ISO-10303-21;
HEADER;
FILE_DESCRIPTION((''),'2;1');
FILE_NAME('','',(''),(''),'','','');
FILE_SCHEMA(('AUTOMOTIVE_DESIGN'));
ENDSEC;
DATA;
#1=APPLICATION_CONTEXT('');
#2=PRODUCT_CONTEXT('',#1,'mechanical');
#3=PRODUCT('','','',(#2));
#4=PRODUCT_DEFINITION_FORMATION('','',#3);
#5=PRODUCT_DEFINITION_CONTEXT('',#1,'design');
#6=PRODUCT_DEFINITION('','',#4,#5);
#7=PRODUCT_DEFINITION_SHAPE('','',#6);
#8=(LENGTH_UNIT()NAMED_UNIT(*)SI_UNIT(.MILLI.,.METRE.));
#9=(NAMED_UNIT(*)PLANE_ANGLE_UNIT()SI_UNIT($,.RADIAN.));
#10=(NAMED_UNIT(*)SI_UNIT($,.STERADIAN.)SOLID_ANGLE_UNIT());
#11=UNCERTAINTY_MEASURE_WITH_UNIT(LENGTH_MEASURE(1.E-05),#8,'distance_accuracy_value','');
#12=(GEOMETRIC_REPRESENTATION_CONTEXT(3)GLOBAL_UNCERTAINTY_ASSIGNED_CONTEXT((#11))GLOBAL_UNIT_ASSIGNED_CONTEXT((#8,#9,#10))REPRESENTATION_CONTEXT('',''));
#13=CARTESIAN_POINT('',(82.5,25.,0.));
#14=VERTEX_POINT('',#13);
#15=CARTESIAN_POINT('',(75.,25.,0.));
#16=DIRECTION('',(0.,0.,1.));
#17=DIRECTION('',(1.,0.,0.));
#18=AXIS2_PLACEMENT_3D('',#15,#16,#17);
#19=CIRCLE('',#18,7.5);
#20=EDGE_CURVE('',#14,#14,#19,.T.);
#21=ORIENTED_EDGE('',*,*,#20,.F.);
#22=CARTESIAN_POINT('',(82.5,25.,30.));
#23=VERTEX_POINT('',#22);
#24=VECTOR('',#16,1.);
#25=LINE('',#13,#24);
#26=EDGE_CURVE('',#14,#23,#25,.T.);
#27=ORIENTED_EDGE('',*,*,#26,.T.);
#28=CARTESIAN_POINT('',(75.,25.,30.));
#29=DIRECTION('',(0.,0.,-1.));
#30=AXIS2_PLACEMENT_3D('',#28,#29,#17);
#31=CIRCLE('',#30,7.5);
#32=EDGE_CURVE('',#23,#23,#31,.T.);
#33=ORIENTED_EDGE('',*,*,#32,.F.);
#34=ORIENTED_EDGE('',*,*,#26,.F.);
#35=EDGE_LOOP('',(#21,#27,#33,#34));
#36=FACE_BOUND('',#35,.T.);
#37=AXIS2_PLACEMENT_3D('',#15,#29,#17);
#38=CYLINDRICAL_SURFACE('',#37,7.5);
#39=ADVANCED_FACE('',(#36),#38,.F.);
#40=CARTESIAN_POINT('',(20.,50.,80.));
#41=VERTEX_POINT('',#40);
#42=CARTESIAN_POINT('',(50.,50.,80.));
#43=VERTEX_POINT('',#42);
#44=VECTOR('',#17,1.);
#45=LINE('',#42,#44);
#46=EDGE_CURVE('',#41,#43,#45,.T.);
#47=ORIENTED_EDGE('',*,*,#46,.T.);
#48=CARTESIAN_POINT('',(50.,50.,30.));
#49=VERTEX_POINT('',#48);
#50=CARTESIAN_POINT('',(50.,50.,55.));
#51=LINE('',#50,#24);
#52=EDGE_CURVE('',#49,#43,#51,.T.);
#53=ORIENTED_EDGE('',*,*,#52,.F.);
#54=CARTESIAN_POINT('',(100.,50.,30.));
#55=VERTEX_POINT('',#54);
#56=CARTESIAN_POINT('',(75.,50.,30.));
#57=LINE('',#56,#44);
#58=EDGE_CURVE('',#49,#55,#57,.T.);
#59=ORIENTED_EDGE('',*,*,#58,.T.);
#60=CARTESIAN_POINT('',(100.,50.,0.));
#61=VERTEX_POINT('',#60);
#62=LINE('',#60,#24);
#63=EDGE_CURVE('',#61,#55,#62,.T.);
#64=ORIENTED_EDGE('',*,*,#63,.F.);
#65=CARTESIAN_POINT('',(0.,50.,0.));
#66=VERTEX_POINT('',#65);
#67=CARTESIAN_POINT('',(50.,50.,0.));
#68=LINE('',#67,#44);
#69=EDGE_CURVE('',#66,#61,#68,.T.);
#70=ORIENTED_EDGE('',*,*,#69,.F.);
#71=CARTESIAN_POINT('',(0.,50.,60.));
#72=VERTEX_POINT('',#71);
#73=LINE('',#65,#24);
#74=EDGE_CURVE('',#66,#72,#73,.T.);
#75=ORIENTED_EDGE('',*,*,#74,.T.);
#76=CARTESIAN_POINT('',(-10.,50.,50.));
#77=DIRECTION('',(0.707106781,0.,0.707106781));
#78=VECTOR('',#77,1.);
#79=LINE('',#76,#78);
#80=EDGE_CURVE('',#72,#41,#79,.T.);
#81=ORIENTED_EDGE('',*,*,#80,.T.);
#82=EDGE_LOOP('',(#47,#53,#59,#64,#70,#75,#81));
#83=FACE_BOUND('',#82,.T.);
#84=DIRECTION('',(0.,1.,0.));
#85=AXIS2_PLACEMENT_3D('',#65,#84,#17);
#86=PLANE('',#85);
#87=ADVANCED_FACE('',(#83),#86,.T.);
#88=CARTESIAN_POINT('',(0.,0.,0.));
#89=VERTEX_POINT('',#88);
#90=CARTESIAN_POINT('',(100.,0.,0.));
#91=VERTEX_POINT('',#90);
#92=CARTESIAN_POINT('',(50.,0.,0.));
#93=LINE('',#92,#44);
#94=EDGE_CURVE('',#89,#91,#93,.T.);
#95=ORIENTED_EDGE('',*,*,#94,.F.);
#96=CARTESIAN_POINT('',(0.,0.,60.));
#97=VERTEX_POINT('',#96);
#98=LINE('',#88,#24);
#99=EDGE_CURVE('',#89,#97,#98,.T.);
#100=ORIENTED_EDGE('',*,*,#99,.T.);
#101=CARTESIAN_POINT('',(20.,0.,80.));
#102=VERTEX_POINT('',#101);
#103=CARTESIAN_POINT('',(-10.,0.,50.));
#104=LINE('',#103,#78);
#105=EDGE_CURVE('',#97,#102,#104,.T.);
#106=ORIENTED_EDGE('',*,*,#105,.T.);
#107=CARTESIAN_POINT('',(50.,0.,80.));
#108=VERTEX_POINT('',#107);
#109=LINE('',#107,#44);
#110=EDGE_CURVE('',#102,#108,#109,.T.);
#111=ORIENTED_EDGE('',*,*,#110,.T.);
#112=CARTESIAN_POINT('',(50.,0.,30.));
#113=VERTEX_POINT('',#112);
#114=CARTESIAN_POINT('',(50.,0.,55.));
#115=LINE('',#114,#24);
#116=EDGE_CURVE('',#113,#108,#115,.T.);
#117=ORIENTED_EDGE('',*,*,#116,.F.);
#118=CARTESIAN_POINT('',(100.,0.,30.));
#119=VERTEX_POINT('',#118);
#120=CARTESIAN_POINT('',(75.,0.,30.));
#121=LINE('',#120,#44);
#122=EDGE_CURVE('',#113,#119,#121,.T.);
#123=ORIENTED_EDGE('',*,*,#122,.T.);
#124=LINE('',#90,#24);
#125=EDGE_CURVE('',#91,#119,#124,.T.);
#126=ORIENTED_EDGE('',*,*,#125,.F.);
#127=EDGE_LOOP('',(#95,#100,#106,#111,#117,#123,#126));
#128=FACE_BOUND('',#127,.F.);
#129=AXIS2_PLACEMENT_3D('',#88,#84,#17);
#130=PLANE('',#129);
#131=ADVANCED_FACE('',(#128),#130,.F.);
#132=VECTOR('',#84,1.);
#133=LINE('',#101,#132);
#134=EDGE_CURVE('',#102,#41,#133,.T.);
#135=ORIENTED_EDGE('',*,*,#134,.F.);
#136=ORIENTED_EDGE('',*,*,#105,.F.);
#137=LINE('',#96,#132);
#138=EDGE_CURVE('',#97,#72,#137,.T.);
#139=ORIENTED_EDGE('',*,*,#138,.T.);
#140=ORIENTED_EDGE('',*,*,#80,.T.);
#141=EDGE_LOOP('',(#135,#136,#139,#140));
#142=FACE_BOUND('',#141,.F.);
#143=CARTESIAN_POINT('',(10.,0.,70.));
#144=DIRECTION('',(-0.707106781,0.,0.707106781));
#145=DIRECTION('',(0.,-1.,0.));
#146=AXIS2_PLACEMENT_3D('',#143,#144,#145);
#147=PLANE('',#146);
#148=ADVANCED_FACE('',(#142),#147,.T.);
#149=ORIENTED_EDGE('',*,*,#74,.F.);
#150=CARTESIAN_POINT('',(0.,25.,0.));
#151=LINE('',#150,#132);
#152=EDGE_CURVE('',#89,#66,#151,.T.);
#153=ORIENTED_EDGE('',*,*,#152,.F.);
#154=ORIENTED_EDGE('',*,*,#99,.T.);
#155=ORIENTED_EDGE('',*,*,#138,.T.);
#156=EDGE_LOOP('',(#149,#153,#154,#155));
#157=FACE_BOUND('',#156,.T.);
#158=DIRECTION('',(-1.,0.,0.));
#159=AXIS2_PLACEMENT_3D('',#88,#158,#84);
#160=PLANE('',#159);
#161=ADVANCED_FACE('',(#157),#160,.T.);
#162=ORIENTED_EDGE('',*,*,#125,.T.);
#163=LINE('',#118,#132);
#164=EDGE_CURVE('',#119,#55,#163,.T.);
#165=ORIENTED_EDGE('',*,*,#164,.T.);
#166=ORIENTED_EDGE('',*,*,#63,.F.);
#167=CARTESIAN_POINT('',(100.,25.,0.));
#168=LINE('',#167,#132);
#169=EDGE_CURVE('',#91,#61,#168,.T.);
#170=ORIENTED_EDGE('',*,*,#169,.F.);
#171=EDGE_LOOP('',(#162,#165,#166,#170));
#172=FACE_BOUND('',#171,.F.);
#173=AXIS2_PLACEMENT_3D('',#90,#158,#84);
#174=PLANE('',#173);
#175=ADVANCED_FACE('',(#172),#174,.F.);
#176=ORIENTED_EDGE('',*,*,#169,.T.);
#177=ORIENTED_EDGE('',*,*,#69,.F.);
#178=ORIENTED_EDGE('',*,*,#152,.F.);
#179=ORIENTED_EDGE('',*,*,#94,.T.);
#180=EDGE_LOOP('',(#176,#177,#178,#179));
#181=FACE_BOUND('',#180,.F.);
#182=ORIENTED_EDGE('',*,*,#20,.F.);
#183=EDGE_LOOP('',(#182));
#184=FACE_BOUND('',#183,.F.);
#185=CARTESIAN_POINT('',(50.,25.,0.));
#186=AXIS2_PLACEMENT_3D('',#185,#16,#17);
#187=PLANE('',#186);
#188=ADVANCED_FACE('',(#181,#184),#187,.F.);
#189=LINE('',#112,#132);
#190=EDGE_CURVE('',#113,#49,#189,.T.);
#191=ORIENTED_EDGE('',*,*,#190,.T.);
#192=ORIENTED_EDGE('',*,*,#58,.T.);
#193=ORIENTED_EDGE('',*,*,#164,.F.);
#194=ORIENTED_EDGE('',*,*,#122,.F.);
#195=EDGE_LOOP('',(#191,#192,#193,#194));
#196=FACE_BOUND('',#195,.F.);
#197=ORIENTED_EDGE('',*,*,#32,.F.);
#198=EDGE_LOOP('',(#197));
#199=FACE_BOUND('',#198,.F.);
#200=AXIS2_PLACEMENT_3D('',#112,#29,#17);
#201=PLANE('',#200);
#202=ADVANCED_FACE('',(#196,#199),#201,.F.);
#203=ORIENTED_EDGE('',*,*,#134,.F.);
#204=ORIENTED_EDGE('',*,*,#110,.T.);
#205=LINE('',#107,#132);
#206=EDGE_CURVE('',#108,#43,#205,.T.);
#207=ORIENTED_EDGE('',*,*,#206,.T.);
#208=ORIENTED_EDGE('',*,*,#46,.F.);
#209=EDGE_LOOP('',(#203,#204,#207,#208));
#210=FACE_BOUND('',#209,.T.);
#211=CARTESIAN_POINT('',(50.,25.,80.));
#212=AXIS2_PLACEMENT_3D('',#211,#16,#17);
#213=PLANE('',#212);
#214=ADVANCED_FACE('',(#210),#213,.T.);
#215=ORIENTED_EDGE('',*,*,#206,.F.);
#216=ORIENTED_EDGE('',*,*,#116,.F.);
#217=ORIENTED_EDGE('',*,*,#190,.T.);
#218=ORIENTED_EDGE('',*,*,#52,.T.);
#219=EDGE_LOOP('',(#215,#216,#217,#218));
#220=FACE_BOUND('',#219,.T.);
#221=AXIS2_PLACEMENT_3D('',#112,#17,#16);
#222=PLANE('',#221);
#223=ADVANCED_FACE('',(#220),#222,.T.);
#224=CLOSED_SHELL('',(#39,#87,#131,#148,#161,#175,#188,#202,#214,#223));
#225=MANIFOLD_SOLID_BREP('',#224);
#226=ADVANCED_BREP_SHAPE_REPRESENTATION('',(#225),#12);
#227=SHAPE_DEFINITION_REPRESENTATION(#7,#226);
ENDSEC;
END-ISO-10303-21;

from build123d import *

# Parameters (mm, degrees)
F0_W     = 100
F0_H     = 50
F0_R     = 7.5
F1_DEPTH = 80
F2_W     = 50
F2_H     = 50
F3_DEPTH = 50
F4_SIZE  = 20


with BuildPart() as f1:
    # F0 (on Top) → F1 (new body)
    with BuildSketch(Plane.XY):
        with Locations((50, 25)):
            Rectangle(F0_W, F0_H)
        with Locations((75, 25)):
            Circle(F0_R, mode=Mode.SUBTRACT)
    extrude(amount=F1_DEPTH)

    # F2 (on face) → F3 (cut, through all)
    with BuildSketch(Plane.XZ):
        with Locations((75, 55)):
            Rectangle(F2_W, F2_H)
    extrude(amount=-F3_DEPTH, mode=Mode.SUBTRACT)

    # F4
    f4_edges = [f1.edges().sort_by_distance(p)[0] for p in [
        (0, 25, 80),
    ]]
    chamfer(f4_edges, length=F4_SIZE)


solid = f1.part
